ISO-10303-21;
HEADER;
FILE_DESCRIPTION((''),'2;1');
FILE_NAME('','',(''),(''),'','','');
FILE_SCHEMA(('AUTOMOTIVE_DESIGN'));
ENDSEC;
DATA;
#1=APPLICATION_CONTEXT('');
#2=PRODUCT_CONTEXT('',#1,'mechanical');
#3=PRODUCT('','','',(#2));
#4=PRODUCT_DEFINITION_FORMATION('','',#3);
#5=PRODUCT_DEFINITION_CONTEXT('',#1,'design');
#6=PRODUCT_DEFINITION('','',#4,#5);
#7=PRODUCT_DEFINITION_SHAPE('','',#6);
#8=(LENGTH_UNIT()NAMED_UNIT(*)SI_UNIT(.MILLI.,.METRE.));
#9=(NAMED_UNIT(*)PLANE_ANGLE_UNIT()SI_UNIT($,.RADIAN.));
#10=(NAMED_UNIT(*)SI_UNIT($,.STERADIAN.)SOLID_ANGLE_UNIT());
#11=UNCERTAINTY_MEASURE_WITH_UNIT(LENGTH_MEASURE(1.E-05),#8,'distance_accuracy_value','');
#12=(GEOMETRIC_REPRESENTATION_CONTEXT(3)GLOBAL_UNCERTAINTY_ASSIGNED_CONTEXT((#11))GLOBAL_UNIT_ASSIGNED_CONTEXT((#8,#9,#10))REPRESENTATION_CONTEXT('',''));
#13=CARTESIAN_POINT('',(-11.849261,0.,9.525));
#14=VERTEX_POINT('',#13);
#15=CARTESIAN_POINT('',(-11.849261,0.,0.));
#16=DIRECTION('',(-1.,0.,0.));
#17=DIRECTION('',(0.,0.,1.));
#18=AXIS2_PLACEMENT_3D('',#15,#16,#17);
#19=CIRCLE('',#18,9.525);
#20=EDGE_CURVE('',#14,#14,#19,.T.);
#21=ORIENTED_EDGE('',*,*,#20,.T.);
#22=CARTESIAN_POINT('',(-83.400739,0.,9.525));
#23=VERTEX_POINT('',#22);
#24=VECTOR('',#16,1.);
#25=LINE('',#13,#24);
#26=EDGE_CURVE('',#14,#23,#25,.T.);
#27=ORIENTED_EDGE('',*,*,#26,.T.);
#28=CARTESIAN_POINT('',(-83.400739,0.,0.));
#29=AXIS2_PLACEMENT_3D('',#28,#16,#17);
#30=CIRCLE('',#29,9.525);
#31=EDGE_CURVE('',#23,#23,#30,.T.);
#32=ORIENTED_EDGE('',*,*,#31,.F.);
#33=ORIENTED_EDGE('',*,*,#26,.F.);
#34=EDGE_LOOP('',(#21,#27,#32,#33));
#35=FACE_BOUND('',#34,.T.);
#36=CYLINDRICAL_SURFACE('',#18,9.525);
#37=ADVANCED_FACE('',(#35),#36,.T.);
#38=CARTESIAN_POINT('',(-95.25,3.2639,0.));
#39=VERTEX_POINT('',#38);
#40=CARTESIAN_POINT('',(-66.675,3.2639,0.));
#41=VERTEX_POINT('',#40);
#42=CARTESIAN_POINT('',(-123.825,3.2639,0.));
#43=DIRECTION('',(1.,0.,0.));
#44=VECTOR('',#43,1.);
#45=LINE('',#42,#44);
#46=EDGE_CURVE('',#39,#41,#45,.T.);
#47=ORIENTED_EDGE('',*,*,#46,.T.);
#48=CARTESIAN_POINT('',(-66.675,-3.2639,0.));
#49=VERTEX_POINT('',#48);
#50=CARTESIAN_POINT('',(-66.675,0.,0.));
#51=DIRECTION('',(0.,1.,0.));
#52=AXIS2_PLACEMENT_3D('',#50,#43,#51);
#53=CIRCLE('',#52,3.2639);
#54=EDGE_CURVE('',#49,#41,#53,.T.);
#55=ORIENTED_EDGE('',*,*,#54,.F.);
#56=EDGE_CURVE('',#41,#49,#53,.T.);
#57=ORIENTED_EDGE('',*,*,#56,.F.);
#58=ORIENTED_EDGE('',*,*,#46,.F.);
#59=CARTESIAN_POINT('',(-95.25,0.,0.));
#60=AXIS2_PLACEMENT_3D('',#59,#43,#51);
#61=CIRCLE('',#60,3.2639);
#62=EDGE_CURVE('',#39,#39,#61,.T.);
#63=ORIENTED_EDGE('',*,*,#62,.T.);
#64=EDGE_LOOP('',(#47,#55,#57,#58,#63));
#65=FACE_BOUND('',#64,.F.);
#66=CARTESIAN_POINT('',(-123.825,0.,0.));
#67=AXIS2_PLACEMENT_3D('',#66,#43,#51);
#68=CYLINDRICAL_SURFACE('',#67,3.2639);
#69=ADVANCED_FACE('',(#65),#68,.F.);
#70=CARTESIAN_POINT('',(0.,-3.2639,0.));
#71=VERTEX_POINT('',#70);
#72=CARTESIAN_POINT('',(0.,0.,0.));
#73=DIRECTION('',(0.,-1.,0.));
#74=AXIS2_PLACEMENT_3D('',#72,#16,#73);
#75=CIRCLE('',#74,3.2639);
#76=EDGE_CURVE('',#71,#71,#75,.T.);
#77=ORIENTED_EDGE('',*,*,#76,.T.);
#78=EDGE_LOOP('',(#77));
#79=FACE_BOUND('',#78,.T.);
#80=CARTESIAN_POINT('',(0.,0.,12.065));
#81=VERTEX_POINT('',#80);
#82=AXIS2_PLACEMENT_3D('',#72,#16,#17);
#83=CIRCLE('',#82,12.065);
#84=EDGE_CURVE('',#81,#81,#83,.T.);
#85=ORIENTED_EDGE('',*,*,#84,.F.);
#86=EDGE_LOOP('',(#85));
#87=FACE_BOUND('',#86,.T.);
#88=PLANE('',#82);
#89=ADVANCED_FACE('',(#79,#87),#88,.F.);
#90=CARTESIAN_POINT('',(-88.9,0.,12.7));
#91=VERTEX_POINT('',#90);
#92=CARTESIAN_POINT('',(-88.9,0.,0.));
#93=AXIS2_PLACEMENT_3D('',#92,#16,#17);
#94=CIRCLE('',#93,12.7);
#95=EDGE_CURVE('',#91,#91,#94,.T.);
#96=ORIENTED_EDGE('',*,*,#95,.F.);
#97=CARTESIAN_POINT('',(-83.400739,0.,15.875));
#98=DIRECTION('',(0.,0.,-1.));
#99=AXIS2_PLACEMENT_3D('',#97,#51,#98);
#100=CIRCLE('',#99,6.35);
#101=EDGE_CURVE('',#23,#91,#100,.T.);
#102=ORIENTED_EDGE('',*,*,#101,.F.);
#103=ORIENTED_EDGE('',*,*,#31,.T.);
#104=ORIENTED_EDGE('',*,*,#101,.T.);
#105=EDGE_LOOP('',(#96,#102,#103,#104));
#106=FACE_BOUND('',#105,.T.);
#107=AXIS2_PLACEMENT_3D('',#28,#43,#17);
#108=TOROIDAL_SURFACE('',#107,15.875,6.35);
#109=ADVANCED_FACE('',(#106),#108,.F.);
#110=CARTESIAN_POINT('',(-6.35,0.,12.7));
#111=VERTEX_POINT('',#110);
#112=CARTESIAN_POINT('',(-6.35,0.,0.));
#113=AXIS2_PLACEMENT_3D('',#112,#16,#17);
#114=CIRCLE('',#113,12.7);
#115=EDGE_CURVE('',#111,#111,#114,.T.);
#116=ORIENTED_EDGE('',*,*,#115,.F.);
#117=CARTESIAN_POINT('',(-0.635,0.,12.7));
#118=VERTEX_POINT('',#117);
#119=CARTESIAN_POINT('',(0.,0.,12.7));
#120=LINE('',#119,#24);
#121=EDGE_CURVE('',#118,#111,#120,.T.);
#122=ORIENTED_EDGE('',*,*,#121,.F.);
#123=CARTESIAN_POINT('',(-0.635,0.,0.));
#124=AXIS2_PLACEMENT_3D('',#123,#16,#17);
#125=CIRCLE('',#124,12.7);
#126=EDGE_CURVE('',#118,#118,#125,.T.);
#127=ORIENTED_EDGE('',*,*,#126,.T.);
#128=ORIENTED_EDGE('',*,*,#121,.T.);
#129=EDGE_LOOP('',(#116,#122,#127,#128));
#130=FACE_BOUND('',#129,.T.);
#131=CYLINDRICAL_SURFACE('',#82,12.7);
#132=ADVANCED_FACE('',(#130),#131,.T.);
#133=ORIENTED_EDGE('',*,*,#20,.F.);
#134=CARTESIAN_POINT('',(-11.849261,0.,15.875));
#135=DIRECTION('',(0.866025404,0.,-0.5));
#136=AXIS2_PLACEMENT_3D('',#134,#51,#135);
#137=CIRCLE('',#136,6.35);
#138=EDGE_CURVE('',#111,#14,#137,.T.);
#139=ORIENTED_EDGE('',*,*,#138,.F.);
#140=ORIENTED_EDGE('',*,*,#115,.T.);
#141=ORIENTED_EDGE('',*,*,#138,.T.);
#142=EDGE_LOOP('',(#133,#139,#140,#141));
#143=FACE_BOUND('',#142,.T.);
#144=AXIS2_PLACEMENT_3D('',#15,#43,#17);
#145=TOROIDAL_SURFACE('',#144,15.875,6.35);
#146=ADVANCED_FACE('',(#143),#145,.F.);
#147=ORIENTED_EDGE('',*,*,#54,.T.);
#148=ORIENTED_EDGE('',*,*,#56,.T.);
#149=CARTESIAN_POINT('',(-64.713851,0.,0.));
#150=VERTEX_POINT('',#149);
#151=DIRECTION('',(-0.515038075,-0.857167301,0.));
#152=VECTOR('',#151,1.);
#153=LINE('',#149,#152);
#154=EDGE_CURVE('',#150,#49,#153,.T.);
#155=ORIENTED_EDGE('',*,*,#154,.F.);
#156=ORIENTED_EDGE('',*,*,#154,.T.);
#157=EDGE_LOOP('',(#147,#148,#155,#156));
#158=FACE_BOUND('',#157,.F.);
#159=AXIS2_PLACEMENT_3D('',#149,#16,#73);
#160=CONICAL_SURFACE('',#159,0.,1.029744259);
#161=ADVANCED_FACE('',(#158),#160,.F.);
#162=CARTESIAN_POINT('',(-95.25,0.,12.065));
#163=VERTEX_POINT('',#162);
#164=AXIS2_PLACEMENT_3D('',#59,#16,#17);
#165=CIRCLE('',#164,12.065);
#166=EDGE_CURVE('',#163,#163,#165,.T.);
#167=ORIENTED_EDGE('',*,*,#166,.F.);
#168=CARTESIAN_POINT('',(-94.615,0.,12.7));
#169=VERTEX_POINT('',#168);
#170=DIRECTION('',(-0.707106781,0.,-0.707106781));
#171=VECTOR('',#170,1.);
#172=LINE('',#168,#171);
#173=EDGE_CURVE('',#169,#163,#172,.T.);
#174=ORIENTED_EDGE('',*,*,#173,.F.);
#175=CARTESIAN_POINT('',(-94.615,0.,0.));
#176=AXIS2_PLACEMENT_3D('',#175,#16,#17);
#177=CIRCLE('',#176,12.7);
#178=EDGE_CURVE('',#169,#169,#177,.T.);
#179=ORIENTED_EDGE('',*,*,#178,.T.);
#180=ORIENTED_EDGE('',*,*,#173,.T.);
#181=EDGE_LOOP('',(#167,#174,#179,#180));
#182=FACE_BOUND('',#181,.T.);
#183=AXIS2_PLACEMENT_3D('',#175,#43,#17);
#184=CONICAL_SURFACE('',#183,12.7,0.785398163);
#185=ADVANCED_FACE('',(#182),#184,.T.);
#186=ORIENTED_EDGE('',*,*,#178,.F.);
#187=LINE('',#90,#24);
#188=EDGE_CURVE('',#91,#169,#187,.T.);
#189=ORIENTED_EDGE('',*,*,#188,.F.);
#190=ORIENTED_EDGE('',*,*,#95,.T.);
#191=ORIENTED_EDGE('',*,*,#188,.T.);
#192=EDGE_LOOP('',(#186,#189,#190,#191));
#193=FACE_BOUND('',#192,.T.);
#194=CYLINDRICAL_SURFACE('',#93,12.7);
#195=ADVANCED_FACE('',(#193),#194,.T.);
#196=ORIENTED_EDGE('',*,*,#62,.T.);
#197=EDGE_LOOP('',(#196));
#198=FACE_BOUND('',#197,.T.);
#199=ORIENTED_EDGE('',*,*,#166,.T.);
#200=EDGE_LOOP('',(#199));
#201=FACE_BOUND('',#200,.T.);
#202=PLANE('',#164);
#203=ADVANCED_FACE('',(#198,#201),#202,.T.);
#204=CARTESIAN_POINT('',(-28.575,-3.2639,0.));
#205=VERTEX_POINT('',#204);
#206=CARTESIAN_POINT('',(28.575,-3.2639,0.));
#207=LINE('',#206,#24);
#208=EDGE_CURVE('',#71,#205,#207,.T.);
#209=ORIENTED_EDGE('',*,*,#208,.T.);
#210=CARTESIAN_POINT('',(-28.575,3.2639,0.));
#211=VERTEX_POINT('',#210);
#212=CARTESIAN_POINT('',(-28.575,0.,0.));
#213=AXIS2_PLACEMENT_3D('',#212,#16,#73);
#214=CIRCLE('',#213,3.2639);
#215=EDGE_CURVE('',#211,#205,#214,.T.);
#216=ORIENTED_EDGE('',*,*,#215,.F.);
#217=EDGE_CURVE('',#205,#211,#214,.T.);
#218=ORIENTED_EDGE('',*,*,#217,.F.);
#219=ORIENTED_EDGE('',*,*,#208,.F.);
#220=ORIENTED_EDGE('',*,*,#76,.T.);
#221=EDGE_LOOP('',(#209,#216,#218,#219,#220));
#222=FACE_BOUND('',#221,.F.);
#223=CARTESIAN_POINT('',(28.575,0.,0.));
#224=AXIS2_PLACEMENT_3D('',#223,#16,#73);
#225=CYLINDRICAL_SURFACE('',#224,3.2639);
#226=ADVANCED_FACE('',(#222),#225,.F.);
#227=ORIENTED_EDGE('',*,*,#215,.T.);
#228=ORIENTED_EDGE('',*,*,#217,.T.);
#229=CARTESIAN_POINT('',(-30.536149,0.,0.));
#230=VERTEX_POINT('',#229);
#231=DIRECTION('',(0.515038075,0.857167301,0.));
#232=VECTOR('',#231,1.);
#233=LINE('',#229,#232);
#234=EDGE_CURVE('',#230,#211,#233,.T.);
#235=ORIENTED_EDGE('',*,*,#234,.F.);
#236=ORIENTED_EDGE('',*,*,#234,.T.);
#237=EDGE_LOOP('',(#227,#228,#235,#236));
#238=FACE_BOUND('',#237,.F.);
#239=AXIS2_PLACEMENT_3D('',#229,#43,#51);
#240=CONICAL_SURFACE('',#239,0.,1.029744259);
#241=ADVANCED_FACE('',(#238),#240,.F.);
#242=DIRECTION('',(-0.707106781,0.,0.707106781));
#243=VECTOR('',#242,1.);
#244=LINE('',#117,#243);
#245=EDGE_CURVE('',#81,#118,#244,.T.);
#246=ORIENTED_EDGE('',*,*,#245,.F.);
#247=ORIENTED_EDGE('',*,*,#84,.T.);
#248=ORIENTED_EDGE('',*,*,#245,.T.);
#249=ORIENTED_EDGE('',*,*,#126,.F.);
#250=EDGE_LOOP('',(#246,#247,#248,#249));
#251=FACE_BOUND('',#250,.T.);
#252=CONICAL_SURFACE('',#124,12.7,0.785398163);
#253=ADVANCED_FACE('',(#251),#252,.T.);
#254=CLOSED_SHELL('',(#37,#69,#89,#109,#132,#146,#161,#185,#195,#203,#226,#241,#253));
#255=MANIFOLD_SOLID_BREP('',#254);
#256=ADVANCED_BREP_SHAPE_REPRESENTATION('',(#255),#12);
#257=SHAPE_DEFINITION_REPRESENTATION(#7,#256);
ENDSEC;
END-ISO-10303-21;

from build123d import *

# Parameters (mm, degrees)
F3_D     = 6.5278
F3_DEPTH = 28.575
F3_TIP   = 1.9611489744
F5_D     = 6.5278
F5_DEPTH = 28.575
F5_TIP   = 1.9611489744
F6_SIZE  = 0.635


with BuildPart() as f1:
    # F0 (on Front) → F1 (revolve)
    with BuildSketch(Plane.XZ):
        with BuildLine():
            Line((-95.25, 0), (0, 0))
            Line((0, 0), (0, 12.7))
            Line((0, 12.7), (-6.35, 12.7))
            ThreePointArc((-6.35, 12.7), (-8.674261314, 10.375738686), (-11.849261314, 9.525))
            Line((-11.849261314, 9.525), (-83.400738686, 9.525))
            ThreePointArc((-83.400738686, 9.525), (-86.575738686, 10.375738686), (-88.9, 12.7))
            Line((-88.9, 12.7), (-95.25, 12.7))
            Line((-95.25, 12.7), (-95.25, 0))
        make_face()
    revolve(axis=Axis((-50.5691878498, 0, 0), (-1, 0, 0)))

    # F3
    with Locations(Plane.YZ):
        with Locations((0, 0)):
            Hole(F3_D / 2, depth=F3_DEPTH)
            with Locations((0, 0, -(F3_DEPTH + F3_TIP / 2))):  # 118° drill point
                Cone(0, F3_D / 2, F3_TIP, mode=Mode.SUBTRACT)

    # F5
    with Locations(Plane(origin=(-95.25, 0, 0), x_dir=(0, -1, 0), z_dir=(-1, 0, 0))):
        with Locations((0, 0)):
            Hole(F5_D / 2, depth=F5_DEPTH)
            with Locations((0, 0, -(F5_DEPTH + F5_TIP / 2))):  # 118° drill point
                Cone(0, F5_D / 2, F5_TIP, mode=Mode.SUBTRACT)

    # F6
    f6_edges = [f1.edges().sort_by_distance(p)[0] for p in [
        (0, 0, -12.7),
        (-95.25, 0, -12.7),
    ]]
    chamfer(f6_edges, length=F6_SIZE)


solid = f1.part
